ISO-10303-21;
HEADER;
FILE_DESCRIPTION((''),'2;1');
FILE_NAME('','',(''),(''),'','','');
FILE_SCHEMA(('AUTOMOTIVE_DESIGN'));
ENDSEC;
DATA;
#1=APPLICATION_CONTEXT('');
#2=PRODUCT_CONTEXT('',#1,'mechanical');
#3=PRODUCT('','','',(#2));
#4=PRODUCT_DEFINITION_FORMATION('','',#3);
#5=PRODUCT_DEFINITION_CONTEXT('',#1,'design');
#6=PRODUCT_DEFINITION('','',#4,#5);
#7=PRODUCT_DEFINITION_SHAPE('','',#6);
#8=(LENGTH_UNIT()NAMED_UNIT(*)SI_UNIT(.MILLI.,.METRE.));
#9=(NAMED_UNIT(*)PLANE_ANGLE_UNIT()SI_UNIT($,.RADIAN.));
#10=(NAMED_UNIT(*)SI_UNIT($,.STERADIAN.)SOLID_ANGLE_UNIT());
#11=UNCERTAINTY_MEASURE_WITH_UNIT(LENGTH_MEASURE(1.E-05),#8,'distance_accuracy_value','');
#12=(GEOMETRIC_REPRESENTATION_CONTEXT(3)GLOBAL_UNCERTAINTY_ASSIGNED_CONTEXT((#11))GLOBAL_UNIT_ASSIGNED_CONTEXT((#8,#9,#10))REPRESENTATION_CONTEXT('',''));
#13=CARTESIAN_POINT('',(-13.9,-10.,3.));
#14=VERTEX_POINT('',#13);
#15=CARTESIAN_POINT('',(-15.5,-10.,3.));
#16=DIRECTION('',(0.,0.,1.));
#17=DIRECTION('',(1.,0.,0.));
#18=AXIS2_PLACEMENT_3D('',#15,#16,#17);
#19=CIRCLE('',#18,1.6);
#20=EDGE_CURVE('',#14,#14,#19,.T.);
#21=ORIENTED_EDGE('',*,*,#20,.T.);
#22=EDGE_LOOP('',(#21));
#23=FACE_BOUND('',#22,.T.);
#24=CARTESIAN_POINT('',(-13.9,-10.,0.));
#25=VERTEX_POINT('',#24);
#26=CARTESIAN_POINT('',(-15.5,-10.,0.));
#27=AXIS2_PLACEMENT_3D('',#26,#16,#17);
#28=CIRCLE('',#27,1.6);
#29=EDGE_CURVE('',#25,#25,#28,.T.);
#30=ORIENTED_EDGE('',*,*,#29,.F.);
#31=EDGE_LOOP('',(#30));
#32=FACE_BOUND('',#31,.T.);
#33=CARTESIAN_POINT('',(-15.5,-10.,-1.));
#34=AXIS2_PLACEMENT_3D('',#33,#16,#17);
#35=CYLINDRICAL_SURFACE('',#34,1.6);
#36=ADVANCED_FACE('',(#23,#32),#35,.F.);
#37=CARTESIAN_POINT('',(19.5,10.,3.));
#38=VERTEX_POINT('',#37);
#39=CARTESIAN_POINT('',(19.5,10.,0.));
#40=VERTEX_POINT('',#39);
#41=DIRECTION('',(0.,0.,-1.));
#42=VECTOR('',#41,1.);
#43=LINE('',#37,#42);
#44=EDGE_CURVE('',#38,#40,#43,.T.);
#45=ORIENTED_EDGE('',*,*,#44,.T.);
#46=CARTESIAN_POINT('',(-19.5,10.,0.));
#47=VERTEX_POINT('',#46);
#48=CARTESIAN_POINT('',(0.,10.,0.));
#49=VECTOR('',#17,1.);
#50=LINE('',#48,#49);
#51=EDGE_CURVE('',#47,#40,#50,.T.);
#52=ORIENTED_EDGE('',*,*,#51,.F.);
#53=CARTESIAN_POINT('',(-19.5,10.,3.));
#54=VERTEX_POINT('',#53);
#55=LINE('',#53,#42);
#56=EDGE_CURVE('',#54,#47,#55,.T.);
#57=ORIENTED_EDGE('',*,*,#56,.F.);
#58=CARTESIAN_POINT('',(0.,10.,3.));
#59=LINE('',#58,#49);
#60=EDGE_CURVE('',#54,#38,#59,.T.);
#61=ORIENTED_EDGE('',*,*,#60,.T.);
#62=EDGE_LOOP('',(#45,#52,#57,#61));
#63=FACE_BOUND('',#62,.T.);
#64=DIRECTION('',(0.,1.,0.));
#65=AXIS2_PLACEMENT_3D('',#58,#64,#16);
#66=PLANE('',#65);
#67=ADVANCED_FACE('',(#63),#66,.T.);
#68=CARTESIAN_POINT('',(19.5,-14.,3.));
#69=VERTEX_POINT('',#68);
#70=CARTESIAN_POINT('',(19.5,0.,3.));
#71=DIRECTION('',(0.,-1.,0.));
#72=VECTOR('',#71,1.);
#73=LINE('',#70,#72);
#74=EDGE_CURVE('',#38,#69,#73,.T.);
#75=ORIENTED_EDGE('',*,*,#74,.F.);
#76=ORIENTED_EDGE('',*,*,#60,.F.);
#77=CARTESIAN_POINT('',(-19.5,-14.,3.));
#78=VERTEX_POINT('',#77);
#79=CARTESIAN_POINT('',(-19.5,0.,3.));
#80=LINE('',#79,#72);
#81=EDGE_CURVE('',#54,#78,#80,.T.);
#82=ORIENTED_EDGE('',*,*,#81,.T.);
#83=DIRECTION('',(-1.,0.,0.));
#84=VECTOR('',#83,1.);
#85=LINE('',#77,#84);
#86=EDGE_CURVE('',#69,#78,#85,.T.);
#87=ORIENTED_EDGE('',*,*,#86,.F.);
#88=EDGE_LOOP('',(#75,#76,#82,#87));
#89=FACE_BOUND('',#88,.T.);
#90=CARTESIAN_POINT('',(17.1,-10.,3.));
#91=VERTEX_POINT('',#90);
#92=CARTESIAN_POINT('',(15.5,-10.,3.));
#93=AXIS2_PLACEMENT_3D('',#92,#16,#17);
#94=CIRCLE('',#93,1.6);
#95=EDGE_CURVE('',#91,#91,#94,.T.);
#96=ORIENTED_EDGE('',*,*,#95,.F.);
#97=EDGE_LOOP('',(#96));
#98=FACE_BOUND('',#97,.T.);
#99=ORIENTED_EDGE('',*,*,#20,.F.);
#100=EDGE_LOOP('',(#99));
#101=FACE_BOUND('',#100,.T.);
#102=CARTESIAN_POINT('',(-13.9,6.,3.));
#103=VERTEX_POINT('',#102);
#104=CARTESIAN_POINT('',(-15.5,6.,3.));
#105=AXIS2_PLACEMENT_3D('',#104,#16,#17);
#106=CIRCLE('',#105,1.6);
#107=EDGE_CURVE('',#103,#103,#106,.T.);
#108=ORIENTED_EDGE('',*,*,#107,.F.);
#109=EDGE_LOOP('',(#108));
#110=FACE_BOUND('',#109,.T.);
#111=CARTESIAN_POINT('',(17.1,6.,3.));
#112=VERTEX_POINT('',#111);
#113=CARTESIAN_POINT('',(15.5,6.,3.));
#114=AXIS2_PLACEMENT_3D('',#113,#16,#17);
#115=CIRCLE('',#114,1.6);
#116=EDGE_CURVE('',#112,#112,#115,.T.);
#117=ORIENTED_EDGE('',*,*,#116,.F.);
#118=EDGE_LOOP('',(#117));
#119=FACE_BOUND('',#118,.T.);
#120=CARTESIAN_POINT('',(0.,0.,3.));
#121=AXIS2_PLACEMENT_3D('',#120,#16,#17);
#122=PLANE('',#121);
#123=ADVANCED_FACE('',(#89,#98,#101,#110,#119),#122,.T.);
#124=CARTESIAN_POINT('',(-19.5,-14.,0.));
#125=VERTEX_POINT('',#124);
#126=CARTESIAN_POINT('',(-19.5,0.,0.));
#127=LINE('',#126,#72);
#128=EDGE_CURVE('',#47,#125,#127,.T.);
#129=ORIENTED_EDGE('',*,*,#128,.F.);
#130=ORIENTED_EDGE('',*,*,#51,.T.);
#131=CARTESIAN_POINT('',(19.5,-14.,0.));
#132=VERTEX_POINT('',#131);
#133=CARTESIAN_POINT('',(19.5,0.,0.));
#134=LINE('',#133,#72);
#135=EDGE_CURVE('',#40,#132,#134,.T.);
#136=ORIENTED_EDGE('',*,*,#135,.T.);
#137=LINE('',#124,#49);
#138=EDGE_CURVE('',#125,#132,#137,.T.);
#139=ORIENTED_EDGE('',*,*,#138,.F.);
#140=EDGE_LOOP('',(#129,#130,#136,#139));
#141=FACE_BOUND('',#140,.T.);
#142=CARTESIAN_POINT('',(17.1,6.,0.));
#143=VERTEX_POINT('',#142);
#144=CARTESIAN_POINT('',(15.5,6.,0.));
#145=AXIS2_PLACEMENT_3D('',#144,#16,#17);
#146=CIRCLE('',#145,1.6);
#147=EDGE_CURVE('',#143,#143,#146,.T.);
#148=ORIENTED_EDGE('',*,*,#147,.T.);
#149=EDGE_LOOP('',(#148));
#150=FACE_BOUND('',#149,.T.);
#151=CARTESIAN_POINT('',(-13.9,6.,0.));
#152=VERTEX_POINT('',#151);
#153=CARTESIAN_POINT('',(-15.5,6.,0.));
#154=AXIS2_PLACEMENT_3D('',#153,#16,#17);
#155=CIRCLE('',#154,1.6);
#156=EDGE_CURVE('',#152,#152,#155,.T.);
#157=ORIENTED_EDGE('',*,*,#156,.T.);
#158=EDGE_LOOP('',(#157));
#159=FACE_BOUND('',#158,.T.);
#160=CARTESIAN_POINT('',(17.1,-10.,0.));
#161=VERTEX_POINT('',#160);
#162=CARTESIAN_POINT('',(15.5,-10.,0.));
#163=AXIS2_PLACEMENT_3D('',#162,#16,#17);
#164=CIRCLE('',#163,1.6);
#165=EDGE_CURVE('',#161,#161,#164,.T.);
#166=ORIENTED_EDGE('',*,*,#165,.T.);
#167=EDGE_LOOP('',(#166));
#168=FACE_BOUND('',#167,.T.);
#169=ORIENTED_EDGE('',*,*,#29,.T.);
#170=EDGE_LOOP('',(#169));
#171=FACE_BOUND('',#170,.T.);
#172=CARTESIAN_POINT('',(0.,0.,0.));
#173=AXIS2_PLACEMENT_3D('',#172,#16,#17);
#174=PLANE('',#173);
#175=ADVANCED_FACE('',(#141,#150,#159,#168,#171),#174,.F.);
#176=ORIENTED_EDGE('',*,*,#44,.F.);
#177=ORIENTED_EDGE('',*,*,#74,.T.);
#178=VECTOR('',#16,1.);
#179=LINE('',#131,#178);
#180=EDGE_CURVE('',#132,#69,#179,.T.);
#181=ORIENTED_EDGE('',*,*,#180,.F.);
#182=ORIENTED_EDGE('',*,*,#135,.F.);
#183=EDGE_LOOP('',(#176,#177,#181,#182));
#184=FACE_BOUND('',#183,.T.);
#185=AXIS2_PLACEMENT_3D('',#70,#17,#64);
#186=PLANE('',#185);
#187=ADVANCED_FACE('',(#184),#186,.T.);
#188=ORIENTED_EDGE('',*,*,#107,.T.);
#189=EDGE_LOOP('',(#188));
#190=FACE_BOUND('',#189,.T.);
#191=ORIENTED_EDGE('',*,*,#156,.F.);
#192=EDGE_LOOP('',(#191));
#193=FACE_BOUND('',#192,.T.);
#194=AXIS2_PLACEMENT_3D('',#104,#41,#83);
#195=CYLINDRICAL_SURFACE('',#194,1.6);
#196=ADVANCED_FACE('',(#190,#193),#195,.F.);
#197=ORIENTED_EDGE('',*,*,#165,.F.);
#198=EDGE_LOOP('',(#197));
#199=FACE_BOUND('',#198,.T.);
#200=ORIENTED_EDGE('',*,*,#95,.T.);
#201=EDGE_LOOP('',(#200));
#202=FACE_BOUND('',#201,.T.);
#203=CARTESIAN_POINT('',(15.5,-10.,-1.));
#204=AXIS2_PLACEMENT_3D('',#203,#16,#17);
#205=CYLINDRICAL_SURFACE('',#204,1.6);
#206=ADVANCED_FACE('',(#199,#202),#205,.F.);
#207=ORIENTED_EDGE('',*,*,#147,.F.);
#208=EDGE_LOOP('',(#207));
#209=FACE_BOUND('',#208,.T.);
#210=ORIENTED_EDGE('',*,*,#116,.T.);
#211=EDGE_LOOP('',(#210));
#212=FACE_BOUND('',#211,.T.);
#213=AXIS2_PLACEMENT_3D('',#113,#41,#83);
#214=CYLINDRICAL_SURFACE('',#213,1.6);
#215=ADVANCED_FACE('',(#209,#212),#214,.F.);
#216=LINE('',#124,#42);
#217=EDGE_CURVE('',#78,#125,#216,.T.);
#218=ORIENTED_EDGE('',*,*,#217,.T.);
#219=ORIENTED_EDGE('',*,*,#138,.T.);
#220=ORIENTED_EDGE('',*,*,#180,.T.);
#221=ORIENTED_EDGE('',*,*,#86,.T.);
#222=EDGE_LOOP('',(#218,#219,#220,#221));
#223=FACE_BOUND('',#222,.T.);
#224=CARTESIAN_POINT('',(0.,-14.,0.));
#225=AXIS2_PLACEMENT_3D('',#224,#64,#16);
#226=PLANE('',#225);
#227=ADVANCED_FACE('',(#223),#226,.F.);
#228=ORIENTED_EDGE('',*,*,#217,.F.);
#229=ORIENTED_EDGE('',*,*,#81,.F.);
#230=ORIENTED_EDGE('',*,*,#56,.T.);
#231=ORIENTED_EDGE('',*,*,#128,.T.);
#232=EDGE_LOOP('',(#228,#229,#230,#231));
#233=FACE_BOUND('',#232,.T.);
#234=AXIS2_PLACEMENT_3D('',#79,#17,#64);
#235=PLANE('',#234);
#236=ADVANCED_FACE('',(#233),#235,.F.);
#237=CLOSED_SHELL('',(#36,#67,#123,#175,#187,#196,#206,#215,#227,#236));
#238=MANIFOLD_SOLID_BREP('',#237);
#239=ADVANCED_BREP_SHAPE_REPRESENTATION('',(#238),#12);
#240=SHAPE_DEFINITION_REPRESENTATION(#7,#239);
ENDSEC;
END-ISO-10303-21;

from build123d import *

# Parameters (mm, degrees)
SKETCH_1_W          = 39
SKETCH_1_H          = 20
SKETCH_1_R          = 1.6
EXTRUDE_1_DEPTH     = 3
SKETCH_2_W          = 39
SKETCH_2_H          = 3
EXTRUDE_2_DEPTH     = 4
SKETCH_3_R          = 1.6
CUT_EXTRUDE_1_DEPTH = 4


with BuildPart() as part:
    # ｽｹｯﾁ1 → ﾎﾞｽ - 押し出し1 (new body)
    with BuildSketch(Plane.XY):
        Rectangle(SKETCH_1_W, SKETCH_1_H)
        with Locations((15.5, 6)):
            Circle(SKETCH_1_R, mode=Mode.SUBTRACT)
        with BuildLine():
            ThreePointArc((-15.5, 7.6), (-14.36862915, 4.86862915), (-17.1, 6))
            Line((-17.1, 6), (-15.5, 6))
            Line((-15.5, 6), (-15.5, 7.6))
        make_face(mode=Mode.SUBTRACT)
    extrude(amount=EXTRUDE_1_DEPTH)

    # ｽｹｯﾁ2 → ﾎﾞｽ - 押し出し2 (add)
    with BuildSketch(Plane.XZ.offset(10)):
        with Locations((0, 1.5)):
            Rectangle(SKETCH_2_W, SKETCH_2_H)
    extrude(amount=EXTRUDE_2_DEPTH)

    # ｽｹｯﾁ3 → ｶｯﾄ - 押し出し1 (cut)
    with BuildSketch(Plane.XY.offset(3)):
        with Locations((-15.5, 6)):
            Circle(SKETCH_3_R)
        with Locations((-15.5, -10)):
            Circle(SKETCH_3_R)
        with Locations((15.5, -10)):
            Circle(SKETCH_3_R)
    extrude(amount=-CUT_EXTRUDE_1_DEPTH, mode=Mode.SUBTRACT)


solid = part.part
